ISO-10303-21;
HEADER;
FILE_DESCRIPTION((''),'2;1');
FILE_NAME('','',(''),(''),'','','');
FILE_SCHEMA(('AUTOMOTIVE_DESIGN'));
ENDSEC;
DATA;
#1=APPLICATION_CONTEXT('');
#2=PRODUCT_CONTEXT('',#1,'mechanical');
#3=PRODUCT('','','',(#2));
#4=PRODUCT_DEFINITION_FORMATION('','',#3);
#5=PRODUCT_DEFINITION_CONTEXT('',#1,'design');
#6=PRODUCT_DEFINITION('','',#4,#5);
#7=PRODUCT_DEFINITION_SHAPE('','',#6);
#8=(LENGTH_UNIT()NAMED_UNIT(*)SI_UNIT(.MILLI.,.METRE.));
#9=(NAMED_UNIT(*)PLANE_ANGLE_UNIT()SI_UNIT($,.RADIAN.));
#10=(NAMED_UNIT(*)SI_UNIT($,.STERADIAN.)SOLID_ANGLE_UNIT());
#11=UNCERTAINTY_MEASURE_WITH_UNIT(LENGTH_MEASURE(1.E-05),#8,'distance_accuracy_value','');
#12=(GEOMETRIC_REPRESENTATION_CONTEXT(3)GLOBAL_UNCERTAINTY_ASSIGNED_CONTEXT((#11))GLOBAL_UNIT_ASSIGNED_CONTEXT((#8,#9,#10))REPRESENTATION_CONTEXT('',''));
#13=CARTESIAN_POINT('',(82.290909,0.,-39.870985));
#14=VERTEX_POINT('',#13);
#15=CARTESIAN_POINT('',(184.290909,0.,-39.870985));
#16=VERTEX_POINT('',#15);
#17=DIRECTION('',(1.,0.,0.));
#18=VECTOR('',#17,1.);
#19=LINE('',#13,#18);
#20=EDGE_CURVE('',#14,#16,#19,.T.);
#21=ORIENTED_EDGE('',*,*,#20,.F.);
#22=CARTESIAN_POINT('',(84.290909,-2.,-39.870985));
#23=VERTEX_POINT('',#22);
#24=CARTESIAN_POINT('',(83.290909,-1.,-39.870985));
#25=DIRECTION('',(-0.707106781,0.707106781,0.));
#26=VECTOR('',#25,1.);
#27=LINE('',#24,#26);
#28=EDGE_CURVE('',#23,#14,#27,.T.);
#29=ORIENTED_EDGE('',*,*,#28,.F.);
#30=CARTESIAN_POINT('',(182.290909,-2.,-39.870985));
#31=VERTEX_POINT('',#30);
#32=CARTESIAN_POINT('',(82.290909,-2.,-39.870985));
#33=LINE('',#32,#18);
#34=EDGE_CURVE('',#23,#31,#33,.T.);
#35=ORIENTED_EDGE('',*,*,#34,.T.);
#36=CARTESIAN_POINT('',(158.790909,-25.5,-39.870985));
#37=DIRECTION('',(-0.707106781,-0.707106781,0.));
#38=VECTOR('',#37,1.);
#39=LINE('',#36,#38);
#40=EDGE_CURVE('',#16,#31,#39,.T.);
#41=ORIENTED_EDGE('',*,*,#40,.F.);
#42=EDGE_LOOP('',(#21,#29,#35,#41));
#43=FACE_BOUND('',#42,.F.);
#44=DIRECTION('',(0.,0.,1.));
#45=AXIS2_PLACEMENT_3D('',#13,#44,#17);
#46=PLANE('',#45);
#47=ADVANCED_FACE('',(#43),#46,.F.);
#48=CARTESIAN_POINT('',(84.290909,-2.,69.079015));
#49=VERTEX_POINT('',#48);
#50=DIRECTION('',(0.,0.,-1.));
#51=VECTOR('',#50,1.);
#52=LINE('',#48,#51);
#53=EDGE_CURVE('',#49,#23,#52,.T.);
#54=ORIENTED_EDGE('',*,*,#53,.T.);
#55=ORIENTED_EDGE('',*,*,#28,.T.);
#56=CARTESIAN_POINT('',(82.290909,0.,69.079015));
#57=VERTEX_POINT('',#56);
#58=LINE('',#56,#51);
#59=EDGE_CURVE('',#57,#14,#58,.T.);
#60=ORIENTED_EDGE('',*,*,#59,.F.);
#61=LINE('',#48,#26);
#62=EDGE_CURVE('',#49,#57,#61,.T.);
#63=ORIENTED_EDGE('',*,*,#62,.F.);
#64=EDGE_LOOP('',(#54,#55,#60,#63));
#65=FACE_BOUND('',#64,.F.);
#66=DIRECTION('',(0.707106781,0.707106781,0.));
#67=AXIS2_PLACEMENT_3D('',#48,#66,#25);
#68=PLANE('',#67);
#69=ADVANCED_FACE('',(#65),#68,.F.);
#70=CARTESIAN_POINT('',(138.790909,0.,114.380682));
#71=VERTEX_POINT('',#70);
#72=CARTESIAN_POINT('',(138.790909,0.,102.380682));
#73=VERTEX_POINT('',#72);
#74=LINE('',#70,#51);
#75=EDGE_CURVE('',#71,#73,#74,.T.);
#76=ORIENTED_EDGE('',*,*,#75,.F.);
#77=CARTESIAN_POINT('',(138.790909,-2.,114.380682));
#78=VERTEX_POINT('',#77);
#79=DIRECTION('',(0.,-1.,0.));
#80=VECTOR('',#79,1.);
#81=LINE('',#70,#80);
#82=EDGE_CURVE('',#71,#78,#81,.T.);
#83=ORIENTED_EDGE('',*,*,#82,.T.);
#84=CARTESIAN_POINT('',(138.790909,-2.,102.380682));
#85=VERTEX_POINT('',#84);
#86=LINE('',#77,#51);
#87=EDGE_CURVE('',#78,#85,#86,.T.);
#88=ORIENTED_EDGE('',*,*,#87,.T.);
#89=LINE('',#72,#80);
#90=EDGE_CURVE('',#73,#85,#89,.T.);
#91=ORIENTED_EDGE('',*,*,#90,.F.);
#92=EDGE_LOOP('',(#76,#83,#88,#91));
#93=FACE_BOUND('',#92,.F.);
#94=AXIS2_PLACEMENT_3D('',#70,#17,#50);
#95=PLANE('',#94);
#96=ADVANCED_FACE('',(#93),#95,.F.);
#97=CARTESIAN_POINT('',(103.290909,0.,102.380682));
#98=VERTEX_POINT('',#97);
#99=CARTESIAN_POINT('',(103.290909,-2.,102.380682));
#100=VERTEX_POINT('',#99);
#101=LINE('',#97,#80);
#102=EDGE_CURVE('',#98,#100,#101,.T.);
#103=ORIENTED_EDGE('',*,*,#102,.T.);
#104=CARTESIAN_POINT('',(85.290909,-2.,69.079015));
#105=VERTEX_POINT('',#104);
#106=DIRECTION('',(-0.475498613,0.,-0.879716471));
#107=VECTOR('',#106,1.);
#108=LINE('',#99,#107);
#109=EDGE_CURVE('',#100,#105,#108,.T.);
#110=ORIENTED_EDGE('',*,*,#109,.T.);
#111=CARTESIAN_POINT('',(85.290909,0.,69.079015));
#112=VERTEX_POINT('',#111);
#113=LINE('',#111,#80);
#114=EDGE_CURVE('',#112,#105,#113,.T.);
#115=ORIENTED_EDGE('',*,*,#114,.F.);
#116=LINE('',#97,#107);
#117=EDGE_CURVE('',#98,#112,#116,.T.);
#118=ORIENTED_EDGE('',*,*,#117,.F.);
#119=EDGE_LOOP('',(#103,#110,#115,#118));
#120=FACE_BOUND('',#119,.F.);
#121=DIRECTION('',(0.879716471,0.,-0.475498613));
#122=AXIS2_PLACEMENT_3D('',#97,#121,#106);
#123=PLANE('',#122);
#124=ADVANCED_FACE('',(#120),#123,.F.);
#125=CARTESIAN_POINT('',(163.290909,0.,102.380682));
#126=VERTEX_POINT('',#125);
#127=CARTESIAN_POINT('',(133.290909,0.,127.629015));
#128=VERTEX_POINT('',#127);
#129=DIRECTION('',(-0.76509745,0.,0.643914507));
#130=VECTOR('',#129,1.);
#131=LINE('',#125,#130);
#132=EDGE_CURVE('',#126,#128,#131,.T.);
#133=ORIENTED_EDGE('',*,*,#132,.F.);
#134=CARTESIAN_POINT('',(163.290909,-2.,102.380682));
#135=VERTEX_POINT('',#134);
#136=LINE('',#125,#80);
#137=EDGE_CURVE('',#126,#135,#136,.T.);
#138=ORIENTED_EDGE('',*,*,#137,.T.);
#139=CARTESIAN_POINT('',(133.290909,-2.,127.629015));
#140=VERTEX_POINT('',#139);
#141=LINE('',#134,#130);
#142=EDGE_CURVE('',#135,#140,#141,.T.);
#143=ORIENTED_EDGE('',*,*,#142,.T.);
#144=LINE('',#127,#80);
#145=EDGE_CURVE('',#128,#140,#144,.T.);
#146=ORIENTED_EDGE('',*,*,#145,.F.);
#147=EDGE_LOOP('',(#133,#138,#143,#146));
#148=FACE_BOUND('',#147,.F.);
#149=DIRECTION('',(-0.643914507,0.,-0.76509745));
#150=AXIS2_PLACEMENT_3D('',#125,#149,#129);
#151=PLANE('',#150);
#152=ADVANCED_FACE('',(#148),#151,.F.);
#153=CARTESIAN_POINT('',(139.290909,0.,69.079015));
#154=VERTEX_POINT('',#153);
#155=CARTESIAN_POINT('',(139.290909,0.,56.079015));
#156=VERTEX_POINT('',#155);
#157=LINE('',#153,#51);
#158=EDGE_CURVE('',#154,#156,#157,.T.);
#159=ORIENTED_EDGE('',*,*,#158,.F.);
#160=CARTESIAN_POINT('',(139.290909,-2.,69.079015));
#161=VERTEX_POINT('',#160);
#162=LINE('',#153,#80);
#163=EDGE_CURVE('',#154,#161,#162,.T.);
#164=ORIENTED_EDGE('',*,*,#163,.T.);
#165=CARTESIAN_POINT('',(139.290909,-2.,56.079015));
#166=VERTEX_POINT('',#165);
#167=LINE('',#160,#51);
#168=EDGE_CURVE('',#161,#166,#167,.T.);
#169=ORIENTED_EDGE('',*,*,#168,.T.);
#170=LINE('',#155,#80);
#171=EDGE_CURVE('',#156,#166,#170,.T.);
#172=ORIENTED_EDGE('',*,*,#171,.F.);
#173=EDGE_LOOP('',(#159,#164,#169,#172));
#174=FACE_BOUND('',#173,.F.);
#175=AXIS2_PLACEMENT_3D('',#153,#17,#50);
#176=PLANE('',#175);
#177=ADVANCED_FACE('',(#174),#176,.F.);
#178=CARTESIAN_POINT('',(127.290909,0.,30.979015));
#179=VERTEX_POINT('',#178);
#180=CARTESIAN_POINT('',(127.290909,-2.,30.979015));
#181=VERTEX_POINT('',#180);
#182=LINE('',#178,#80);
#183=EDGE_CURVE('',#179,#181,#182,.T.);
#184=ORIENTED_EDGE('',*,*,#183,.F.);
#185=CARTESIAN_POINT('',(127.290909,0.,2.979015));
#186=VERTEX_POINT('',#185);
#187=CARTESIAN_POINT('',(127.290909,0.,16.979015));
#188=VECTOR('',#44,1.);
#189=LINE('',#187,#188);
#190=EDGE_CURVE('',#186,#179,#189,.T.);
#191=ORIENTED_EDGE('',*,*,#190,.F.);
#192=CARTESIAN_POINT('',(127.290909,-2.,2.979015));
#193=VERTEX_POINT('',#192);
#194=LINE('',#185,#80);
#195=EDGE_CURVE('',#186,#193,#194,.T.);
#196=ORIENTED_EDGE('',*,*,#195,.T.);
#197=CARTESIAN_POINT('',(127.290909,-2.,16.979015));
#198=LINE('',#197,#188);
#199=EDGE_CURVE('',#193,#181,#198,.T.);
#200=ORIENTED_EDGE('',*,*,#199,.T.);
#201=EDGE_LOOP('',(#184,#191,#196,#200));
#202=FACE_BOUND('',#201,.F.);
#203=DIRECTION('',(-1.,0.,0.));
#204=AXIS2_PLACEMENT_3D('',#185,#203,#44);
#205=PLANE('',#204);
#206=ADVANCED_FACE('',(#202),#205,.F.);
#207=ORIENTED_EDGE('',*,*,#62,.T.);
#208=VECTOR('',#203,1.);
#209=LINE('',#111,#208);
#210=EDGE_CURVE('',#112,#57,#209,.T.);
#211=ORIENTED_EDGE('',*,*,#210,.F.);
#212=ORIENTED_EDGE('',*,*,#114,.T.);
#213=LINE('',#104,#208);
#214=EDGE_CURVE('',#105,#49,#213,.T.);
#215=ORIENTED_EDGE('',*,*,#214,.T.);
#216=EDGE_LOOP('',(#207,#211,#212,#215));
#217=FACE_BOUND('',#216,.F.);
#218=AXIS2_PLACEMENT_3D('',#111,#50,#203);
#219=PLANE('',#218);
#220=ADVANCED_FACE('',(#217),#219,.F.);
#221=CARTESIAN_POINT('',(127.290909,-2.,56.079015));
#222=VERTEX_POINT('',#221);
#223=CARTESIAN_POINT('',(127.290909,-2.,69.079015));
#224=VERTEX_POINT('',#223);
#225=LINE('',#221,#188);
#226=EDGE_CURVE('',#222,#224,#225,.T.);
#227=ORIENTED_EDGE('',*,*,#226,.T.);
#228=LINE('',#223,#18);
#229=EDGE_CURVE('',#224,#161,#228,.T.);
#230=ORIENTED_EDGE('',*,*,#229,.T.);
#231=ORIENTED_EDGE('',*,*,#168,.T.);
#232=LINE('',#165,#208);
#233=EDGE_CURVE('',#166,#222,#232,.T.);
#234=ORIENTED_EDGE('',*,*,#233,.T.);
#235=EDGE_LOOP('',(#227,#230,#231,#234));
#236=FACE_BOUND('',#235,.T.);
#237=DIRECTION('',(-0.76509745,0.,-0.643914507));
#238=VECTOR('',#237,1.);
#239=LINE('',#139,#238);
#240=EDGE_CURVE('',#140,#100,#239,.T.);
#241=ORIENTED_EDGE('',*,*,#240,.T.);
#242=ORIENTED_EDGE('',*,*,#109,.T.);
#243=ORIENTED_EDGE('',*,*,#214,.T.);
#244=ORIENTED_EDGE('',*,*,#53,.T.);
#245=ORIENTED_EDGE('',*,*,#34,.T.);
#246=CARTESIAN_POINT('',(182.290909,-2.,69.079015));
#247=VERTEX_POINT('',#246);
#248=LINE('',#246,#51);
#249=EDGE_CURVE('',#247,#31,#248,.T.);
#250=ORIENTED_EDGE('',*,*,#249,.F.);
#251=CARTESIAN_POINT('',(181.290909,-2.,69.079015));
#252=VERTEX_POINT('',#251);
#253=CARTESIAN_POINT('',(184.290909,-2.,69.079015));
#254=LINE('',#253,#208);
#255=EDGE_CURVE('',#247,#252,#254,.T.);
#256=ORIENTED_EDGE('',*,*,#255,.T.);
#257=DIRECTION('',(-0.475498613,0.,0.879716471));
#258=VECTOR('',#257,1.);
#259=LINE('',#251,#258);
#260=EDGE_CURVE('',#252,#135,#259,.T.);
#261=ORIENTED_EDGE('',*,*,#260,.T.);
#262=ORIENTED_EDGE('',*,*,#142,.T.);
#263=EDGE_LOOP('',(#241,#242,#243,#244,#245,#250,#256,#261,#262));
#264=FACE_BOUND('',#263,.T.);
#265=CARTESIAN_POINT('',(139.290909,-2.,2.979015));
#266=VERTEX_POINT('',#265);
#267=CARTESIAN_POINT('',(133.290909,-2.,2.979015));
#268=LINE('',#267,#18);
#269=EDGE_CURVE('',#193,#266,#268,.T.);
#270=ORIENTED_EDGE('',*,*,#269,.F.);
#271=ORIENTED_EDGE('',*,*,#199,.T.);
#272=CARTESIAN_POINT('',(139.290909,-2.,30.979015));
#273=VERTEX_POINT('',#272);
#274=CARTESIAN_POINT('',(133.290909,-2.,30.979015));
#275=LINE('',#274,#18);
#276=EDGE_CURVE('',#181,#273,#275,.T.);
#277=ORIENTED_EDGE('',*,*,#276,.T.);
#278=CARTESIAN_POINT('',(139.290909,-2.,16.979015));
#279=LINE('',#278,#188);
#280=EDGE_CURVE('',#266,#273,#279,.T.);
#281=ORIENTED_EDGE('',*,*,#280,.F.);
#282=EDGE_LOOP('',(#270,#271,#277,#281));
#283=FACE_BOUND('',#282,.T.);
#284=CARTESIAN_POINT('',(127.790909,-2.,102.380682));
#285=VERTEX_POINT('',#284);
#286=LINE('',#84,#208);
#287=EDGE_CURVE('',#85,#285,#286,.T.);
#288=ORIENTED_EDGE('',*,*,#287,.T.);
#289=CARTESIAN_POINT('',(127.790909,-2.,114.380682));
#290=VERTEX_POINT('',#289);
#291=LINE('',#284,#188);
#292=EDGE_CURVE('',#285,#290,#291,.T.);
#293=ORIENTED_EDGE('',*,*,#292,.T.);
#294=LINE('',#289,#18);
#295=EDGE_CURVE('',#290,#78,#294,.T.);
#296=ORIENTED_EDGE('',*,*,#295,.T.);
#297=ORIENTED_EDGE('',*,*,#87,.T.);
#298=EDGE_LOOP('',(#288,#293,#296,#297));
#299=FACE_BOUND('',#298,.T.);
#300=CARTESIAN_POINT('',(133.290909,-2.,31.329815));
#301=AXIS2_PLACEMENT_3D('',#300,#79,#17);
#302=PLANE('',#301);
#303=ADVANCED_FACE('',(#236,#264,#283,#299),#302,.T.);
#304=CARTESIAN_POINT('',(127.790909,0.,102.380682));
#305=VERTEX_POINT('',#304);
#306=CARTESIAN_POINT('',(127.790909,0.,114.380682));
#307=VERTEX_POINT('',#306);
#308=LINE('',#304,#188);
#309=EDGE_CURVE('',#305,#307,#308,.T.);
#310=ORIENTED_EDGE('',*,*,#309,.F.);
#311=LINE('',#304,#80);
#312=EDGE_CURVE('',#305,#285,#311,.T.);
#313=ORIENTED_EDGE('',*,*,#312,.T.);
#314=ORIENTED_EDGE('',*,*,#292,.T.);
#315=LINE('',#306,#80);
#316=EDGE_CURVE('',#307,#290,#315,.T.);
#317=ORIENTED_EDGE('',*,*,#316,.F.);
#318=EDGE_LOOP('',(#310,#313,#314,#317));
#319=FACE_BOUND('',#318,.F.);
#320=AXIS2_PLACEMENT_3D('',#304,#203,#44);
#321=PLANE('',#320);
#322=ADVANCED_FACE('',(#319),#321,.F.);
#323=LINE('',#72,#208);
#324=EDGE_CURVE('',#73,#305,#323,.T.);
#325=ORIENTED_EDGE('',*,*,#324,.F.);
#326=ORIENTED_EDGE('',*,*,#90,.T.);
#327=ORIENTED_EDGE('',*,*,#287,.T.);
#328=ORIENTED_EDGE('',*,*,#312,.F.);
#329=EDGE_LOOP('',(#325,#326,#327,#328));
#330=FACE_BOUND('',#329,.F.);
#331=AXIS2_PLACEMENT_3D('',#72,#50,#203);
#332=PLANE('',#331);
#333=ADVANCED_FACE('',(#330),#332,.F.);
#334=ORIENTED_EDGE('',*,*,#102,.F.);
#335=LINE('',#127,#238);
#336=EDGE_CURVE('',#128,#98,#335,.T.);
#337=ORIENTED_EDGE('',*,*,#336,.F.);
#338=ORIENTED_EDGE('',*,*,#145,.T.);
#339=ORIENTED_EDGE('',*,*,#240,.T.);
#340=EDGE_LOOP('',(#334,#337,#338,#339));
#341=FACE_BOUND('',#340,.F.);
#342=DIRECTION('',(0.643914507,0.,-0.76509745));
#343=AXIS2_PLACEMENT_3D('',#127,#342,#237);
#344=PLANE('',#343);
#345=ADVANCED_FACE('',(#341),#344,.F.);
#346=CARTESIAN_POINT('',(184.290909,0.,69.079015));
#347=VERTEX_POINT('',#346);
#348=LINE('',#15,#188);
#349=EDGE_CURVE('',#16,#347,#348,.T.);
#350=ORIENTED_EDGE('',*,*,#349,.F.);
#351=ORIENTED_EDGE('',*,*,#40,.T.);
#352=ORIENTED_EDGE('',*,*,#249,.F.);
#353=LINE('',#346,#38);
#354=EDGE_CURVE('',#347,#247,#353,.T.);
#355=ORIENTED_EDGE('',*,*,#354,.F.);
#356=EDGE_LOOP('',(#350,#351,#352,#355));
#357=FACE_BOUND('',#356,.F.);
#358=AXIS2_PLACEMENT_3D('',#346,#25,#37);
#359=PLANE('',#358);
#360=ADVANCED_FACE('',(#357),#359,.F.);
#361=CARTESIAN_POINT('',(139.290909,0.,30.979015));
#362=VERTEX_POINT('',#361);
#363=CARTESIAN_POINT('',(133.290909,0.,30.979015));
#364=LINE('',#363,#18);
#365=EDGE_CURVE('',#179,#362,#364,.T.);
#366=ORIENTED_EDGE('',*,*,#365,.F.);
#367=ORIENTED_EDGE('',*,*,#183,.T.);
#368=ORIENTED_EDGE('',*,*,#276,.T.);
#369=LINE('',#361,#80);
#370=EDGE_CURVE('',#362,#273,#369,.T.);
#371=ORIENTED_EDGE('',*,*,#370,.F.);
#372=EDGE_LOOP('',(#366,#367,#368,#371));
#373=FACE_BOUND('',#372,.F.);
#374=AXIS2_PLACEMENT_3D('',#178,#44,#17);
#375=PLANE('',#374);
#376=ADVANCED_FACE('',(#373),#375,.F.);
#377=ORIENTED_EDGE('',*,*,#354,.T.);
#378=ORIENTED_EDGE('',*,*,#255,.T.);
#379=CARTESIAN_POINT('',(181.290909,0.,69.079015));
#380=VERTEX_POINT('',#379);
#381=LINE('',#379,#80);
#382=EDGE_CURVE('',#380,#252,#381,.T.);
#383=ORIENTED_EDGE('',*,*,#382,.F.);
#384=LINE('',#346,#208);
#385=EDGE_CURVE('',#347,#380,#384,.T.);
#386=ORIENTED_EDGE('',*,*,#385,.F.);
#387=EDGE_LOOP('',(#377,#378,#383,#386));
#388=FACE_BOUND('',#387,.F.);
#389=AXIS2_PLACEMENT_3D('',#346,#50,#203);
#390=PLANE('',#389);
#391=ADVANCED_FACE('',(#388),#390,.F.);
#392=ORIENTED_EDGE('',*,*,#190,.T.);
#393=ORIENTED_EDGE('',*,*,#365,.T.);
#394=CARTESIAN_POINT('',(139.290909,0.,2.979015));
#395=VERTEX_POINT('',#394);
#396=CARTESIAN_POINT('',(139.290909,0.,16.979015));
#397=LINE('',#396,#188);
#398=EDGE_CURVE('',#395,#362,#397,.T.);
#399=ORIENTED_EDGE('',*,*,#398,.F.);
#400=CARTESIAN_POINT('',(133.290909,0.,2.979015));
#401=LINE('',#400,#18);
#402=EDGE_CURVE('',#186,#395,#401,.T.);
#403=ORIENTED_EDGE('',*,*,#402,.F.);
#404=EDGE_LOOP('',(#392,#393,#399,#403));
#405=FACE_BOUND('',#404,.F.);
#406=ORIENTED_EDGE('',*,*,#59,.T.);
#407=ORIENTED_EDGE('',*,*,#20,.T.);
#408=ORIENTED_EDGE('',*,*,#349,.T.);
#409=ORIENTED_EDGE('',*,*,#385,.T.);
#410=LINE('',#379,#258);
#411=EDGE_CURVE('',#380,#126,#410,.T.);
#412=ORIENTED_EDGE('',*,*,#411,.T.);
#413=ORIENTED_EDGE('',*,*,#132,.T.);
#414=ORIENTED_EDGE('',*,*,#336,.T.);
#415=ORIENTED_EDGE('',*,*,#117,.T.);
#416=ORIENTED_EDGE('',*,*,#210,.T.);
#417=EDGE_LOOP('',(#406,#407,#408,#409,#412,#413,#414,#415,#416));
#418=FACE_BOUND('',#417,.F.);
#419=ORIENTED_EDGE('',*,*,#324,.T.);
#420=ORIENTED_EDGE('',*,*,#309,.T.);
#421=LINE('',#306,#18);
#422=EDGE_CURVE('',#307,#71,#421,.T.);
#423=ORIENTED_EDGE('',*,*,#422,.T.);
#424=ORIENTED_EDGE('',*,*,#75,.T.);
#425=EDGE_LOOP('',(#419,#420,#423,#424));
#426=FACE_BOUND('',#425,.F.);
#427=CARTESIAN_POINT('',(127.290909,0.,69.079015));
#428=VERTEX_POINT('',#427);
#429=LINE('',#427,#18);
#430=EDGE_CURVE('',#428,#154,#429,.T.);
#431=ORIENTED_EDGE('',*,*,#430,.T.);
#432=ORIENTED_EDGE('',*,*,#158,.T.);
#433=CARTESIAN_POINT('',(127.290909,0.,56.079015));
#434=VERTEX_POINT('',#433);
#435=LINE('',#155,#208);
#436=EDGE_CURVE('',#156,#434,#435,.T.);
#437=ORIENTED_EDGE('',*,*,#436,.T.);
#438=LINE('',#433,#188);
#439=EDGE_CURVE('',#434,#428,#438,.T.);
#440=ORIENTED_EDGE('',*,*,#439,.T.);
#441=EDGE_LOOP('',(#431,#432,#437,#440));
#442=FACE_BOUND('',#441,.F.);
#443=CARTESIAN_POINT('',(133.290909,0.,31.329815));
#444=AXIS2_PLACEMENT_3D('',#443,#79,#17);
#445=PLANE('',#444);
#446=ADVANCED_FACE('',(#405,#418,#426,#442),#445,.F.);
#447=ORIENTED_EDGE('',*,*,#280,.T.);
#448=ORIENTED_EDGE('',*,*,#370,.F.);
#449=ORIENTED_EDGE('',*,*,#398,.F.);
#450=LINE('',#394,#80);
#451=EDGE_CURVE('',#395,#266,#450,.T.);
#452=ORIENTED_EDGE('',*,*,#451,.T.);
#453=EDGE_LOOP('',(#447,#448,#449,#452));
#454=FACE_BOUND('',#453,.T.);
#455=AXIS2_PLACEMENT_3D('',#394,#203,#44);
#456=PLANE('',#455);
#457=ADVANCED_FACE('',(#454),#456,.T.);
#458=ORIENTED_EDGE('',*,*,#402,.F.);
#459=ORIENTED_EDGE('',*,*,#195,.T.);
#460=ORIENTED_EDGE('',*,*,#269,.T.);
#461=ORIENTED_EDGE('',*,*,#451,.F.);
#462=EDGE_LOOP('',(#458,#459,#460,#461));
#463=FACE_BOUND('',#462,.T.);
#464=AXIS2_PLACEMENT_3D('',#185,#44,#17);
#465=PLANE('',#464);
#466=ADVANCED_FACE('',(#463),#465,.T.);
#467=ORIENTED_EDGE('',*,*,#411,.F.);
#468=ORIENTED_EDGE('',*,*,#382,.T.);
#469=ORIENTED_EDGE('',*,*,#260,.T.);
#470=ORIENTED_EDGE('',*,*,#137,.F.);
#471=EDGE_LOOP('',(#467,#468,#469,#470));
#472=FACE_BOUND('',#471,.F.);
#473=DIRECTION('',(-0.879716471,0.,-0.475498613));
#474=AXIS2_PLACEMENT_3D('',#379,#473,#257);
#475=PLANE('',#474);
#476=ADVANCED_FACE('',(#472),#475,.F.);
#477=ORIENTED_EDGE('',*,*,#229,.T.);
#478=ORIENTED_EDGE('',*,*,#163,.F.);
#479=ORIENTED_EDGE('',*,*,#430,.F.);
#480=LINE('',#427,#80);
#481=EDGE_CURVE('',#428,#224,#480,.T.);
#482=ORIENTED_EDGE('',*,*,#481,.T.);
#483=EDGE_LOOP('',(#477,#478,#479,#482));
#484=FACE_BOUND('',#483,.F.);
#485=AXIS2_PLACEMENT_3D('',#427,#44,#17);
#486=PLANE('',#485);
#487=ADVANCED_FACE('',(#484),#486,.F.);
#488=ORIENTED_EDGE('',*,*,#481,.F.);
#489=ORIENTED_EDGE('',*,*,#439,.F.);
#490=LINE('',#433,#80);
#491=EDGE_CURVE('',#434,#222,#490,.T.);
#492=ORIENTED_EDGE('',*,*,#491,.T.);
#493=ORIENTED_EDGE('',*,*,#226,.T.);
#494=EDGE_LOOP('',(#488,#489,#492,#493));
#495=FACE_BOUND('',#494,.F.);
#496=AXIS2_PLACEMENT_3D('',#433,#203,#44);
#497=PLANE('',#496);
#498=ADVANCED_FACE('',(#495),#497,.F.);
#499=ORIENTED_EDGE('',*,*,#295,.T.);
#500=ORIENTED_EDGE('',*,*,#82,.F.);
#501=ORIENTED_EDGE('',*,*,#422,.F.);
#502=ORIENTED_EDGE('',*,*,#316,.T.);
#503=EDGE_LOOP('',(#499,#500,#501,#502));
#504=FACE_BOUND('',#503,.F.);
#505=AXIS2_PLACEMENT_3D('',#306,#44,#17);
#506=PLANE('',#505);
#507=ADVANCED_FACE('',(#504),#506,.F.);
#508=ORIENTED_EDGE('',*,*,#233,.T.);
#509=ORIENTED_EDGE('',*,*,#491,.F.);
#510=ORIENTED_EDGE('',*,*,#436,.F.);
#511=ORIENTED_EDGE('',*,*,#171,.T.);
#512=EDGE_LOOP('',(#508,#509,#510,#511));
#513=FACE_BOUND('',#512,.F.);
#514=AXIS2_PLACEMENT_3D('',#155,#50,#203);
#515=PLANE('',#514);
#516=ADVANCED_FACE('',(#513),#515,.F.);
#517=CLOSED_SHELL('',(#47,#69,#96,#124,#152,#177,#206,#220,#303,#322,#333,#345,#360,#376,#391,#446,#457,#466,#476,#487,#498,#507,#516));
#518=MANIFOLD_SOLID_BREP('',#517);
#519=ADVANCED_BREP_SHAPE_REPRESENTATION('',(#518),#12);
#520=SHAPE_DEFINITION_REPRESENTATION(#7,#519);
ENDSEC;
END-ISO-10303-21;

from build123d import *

# Parameters (mm, degrees)
F0_W     = 12
F0_H     = 28
F1_DEPTH = 2
F3_DEPTH = 250
F5_DEPTH = 250


with BuildPart() as f1:
    # F0 (on Front) → F1 (new body)
    with BuildSketch(Plane.XZ):
        Polygon((85.290909, -39.870985), (133.290909, -39.870985), (184.290909, -39.870985), (184.290909, -11.236302), (184.290909, 69.079015), (181.290909, 69.079015), (163.290909, 102.380682), (133.290909, 127.629015), (103.290909, 102.380682), (85.290909, 69.079015), (82.290909, 69.079015), (82.290909, -39.870985), align=None)
        with Locations((133.290909, 16.979015)):
            Rectangle(F0_W, F0_H, mode=Mode.SUBTRACT)
        Polygon((133.290909, 69.079015), (139.290909, 69.079015), (139.290909, 56.079015), (127.290909, 56.079015), (127.290909, 69.079015), align=None, mode=Mode.SUBTRACT)
        Polygon((138.790909, 114.380682), (138.790909, 102.380682), (133.290909, 102.380682), (127.790909, 102.380682), (127.790909, 114.380682), align=None, mode=Mode.SUBTRACT)
    extrude(amount=F1_DEPTH)

    # F2 (on face) → F3 (cut)
    with BuildSketch(Plane.XY.offset(69.079015)):
        Polygon((182.290909, -2), (184.290909, -2), (184.290909, 0), align=None)
    extrude(amount=-F3_DEPTH, mode=Mode.SUBTRACT)

    # F4 (on face) → F5 (cut)
    with BuildSketch(Plane.XY.offset(69.079015)):
        Polygon((82.290909, 0), (82.290909, -2), (84.290909, -2), align=None)
    extrude(amount=-F5_DEPTH, mode=Mode.SUBTRACT)


solid = f1.part
